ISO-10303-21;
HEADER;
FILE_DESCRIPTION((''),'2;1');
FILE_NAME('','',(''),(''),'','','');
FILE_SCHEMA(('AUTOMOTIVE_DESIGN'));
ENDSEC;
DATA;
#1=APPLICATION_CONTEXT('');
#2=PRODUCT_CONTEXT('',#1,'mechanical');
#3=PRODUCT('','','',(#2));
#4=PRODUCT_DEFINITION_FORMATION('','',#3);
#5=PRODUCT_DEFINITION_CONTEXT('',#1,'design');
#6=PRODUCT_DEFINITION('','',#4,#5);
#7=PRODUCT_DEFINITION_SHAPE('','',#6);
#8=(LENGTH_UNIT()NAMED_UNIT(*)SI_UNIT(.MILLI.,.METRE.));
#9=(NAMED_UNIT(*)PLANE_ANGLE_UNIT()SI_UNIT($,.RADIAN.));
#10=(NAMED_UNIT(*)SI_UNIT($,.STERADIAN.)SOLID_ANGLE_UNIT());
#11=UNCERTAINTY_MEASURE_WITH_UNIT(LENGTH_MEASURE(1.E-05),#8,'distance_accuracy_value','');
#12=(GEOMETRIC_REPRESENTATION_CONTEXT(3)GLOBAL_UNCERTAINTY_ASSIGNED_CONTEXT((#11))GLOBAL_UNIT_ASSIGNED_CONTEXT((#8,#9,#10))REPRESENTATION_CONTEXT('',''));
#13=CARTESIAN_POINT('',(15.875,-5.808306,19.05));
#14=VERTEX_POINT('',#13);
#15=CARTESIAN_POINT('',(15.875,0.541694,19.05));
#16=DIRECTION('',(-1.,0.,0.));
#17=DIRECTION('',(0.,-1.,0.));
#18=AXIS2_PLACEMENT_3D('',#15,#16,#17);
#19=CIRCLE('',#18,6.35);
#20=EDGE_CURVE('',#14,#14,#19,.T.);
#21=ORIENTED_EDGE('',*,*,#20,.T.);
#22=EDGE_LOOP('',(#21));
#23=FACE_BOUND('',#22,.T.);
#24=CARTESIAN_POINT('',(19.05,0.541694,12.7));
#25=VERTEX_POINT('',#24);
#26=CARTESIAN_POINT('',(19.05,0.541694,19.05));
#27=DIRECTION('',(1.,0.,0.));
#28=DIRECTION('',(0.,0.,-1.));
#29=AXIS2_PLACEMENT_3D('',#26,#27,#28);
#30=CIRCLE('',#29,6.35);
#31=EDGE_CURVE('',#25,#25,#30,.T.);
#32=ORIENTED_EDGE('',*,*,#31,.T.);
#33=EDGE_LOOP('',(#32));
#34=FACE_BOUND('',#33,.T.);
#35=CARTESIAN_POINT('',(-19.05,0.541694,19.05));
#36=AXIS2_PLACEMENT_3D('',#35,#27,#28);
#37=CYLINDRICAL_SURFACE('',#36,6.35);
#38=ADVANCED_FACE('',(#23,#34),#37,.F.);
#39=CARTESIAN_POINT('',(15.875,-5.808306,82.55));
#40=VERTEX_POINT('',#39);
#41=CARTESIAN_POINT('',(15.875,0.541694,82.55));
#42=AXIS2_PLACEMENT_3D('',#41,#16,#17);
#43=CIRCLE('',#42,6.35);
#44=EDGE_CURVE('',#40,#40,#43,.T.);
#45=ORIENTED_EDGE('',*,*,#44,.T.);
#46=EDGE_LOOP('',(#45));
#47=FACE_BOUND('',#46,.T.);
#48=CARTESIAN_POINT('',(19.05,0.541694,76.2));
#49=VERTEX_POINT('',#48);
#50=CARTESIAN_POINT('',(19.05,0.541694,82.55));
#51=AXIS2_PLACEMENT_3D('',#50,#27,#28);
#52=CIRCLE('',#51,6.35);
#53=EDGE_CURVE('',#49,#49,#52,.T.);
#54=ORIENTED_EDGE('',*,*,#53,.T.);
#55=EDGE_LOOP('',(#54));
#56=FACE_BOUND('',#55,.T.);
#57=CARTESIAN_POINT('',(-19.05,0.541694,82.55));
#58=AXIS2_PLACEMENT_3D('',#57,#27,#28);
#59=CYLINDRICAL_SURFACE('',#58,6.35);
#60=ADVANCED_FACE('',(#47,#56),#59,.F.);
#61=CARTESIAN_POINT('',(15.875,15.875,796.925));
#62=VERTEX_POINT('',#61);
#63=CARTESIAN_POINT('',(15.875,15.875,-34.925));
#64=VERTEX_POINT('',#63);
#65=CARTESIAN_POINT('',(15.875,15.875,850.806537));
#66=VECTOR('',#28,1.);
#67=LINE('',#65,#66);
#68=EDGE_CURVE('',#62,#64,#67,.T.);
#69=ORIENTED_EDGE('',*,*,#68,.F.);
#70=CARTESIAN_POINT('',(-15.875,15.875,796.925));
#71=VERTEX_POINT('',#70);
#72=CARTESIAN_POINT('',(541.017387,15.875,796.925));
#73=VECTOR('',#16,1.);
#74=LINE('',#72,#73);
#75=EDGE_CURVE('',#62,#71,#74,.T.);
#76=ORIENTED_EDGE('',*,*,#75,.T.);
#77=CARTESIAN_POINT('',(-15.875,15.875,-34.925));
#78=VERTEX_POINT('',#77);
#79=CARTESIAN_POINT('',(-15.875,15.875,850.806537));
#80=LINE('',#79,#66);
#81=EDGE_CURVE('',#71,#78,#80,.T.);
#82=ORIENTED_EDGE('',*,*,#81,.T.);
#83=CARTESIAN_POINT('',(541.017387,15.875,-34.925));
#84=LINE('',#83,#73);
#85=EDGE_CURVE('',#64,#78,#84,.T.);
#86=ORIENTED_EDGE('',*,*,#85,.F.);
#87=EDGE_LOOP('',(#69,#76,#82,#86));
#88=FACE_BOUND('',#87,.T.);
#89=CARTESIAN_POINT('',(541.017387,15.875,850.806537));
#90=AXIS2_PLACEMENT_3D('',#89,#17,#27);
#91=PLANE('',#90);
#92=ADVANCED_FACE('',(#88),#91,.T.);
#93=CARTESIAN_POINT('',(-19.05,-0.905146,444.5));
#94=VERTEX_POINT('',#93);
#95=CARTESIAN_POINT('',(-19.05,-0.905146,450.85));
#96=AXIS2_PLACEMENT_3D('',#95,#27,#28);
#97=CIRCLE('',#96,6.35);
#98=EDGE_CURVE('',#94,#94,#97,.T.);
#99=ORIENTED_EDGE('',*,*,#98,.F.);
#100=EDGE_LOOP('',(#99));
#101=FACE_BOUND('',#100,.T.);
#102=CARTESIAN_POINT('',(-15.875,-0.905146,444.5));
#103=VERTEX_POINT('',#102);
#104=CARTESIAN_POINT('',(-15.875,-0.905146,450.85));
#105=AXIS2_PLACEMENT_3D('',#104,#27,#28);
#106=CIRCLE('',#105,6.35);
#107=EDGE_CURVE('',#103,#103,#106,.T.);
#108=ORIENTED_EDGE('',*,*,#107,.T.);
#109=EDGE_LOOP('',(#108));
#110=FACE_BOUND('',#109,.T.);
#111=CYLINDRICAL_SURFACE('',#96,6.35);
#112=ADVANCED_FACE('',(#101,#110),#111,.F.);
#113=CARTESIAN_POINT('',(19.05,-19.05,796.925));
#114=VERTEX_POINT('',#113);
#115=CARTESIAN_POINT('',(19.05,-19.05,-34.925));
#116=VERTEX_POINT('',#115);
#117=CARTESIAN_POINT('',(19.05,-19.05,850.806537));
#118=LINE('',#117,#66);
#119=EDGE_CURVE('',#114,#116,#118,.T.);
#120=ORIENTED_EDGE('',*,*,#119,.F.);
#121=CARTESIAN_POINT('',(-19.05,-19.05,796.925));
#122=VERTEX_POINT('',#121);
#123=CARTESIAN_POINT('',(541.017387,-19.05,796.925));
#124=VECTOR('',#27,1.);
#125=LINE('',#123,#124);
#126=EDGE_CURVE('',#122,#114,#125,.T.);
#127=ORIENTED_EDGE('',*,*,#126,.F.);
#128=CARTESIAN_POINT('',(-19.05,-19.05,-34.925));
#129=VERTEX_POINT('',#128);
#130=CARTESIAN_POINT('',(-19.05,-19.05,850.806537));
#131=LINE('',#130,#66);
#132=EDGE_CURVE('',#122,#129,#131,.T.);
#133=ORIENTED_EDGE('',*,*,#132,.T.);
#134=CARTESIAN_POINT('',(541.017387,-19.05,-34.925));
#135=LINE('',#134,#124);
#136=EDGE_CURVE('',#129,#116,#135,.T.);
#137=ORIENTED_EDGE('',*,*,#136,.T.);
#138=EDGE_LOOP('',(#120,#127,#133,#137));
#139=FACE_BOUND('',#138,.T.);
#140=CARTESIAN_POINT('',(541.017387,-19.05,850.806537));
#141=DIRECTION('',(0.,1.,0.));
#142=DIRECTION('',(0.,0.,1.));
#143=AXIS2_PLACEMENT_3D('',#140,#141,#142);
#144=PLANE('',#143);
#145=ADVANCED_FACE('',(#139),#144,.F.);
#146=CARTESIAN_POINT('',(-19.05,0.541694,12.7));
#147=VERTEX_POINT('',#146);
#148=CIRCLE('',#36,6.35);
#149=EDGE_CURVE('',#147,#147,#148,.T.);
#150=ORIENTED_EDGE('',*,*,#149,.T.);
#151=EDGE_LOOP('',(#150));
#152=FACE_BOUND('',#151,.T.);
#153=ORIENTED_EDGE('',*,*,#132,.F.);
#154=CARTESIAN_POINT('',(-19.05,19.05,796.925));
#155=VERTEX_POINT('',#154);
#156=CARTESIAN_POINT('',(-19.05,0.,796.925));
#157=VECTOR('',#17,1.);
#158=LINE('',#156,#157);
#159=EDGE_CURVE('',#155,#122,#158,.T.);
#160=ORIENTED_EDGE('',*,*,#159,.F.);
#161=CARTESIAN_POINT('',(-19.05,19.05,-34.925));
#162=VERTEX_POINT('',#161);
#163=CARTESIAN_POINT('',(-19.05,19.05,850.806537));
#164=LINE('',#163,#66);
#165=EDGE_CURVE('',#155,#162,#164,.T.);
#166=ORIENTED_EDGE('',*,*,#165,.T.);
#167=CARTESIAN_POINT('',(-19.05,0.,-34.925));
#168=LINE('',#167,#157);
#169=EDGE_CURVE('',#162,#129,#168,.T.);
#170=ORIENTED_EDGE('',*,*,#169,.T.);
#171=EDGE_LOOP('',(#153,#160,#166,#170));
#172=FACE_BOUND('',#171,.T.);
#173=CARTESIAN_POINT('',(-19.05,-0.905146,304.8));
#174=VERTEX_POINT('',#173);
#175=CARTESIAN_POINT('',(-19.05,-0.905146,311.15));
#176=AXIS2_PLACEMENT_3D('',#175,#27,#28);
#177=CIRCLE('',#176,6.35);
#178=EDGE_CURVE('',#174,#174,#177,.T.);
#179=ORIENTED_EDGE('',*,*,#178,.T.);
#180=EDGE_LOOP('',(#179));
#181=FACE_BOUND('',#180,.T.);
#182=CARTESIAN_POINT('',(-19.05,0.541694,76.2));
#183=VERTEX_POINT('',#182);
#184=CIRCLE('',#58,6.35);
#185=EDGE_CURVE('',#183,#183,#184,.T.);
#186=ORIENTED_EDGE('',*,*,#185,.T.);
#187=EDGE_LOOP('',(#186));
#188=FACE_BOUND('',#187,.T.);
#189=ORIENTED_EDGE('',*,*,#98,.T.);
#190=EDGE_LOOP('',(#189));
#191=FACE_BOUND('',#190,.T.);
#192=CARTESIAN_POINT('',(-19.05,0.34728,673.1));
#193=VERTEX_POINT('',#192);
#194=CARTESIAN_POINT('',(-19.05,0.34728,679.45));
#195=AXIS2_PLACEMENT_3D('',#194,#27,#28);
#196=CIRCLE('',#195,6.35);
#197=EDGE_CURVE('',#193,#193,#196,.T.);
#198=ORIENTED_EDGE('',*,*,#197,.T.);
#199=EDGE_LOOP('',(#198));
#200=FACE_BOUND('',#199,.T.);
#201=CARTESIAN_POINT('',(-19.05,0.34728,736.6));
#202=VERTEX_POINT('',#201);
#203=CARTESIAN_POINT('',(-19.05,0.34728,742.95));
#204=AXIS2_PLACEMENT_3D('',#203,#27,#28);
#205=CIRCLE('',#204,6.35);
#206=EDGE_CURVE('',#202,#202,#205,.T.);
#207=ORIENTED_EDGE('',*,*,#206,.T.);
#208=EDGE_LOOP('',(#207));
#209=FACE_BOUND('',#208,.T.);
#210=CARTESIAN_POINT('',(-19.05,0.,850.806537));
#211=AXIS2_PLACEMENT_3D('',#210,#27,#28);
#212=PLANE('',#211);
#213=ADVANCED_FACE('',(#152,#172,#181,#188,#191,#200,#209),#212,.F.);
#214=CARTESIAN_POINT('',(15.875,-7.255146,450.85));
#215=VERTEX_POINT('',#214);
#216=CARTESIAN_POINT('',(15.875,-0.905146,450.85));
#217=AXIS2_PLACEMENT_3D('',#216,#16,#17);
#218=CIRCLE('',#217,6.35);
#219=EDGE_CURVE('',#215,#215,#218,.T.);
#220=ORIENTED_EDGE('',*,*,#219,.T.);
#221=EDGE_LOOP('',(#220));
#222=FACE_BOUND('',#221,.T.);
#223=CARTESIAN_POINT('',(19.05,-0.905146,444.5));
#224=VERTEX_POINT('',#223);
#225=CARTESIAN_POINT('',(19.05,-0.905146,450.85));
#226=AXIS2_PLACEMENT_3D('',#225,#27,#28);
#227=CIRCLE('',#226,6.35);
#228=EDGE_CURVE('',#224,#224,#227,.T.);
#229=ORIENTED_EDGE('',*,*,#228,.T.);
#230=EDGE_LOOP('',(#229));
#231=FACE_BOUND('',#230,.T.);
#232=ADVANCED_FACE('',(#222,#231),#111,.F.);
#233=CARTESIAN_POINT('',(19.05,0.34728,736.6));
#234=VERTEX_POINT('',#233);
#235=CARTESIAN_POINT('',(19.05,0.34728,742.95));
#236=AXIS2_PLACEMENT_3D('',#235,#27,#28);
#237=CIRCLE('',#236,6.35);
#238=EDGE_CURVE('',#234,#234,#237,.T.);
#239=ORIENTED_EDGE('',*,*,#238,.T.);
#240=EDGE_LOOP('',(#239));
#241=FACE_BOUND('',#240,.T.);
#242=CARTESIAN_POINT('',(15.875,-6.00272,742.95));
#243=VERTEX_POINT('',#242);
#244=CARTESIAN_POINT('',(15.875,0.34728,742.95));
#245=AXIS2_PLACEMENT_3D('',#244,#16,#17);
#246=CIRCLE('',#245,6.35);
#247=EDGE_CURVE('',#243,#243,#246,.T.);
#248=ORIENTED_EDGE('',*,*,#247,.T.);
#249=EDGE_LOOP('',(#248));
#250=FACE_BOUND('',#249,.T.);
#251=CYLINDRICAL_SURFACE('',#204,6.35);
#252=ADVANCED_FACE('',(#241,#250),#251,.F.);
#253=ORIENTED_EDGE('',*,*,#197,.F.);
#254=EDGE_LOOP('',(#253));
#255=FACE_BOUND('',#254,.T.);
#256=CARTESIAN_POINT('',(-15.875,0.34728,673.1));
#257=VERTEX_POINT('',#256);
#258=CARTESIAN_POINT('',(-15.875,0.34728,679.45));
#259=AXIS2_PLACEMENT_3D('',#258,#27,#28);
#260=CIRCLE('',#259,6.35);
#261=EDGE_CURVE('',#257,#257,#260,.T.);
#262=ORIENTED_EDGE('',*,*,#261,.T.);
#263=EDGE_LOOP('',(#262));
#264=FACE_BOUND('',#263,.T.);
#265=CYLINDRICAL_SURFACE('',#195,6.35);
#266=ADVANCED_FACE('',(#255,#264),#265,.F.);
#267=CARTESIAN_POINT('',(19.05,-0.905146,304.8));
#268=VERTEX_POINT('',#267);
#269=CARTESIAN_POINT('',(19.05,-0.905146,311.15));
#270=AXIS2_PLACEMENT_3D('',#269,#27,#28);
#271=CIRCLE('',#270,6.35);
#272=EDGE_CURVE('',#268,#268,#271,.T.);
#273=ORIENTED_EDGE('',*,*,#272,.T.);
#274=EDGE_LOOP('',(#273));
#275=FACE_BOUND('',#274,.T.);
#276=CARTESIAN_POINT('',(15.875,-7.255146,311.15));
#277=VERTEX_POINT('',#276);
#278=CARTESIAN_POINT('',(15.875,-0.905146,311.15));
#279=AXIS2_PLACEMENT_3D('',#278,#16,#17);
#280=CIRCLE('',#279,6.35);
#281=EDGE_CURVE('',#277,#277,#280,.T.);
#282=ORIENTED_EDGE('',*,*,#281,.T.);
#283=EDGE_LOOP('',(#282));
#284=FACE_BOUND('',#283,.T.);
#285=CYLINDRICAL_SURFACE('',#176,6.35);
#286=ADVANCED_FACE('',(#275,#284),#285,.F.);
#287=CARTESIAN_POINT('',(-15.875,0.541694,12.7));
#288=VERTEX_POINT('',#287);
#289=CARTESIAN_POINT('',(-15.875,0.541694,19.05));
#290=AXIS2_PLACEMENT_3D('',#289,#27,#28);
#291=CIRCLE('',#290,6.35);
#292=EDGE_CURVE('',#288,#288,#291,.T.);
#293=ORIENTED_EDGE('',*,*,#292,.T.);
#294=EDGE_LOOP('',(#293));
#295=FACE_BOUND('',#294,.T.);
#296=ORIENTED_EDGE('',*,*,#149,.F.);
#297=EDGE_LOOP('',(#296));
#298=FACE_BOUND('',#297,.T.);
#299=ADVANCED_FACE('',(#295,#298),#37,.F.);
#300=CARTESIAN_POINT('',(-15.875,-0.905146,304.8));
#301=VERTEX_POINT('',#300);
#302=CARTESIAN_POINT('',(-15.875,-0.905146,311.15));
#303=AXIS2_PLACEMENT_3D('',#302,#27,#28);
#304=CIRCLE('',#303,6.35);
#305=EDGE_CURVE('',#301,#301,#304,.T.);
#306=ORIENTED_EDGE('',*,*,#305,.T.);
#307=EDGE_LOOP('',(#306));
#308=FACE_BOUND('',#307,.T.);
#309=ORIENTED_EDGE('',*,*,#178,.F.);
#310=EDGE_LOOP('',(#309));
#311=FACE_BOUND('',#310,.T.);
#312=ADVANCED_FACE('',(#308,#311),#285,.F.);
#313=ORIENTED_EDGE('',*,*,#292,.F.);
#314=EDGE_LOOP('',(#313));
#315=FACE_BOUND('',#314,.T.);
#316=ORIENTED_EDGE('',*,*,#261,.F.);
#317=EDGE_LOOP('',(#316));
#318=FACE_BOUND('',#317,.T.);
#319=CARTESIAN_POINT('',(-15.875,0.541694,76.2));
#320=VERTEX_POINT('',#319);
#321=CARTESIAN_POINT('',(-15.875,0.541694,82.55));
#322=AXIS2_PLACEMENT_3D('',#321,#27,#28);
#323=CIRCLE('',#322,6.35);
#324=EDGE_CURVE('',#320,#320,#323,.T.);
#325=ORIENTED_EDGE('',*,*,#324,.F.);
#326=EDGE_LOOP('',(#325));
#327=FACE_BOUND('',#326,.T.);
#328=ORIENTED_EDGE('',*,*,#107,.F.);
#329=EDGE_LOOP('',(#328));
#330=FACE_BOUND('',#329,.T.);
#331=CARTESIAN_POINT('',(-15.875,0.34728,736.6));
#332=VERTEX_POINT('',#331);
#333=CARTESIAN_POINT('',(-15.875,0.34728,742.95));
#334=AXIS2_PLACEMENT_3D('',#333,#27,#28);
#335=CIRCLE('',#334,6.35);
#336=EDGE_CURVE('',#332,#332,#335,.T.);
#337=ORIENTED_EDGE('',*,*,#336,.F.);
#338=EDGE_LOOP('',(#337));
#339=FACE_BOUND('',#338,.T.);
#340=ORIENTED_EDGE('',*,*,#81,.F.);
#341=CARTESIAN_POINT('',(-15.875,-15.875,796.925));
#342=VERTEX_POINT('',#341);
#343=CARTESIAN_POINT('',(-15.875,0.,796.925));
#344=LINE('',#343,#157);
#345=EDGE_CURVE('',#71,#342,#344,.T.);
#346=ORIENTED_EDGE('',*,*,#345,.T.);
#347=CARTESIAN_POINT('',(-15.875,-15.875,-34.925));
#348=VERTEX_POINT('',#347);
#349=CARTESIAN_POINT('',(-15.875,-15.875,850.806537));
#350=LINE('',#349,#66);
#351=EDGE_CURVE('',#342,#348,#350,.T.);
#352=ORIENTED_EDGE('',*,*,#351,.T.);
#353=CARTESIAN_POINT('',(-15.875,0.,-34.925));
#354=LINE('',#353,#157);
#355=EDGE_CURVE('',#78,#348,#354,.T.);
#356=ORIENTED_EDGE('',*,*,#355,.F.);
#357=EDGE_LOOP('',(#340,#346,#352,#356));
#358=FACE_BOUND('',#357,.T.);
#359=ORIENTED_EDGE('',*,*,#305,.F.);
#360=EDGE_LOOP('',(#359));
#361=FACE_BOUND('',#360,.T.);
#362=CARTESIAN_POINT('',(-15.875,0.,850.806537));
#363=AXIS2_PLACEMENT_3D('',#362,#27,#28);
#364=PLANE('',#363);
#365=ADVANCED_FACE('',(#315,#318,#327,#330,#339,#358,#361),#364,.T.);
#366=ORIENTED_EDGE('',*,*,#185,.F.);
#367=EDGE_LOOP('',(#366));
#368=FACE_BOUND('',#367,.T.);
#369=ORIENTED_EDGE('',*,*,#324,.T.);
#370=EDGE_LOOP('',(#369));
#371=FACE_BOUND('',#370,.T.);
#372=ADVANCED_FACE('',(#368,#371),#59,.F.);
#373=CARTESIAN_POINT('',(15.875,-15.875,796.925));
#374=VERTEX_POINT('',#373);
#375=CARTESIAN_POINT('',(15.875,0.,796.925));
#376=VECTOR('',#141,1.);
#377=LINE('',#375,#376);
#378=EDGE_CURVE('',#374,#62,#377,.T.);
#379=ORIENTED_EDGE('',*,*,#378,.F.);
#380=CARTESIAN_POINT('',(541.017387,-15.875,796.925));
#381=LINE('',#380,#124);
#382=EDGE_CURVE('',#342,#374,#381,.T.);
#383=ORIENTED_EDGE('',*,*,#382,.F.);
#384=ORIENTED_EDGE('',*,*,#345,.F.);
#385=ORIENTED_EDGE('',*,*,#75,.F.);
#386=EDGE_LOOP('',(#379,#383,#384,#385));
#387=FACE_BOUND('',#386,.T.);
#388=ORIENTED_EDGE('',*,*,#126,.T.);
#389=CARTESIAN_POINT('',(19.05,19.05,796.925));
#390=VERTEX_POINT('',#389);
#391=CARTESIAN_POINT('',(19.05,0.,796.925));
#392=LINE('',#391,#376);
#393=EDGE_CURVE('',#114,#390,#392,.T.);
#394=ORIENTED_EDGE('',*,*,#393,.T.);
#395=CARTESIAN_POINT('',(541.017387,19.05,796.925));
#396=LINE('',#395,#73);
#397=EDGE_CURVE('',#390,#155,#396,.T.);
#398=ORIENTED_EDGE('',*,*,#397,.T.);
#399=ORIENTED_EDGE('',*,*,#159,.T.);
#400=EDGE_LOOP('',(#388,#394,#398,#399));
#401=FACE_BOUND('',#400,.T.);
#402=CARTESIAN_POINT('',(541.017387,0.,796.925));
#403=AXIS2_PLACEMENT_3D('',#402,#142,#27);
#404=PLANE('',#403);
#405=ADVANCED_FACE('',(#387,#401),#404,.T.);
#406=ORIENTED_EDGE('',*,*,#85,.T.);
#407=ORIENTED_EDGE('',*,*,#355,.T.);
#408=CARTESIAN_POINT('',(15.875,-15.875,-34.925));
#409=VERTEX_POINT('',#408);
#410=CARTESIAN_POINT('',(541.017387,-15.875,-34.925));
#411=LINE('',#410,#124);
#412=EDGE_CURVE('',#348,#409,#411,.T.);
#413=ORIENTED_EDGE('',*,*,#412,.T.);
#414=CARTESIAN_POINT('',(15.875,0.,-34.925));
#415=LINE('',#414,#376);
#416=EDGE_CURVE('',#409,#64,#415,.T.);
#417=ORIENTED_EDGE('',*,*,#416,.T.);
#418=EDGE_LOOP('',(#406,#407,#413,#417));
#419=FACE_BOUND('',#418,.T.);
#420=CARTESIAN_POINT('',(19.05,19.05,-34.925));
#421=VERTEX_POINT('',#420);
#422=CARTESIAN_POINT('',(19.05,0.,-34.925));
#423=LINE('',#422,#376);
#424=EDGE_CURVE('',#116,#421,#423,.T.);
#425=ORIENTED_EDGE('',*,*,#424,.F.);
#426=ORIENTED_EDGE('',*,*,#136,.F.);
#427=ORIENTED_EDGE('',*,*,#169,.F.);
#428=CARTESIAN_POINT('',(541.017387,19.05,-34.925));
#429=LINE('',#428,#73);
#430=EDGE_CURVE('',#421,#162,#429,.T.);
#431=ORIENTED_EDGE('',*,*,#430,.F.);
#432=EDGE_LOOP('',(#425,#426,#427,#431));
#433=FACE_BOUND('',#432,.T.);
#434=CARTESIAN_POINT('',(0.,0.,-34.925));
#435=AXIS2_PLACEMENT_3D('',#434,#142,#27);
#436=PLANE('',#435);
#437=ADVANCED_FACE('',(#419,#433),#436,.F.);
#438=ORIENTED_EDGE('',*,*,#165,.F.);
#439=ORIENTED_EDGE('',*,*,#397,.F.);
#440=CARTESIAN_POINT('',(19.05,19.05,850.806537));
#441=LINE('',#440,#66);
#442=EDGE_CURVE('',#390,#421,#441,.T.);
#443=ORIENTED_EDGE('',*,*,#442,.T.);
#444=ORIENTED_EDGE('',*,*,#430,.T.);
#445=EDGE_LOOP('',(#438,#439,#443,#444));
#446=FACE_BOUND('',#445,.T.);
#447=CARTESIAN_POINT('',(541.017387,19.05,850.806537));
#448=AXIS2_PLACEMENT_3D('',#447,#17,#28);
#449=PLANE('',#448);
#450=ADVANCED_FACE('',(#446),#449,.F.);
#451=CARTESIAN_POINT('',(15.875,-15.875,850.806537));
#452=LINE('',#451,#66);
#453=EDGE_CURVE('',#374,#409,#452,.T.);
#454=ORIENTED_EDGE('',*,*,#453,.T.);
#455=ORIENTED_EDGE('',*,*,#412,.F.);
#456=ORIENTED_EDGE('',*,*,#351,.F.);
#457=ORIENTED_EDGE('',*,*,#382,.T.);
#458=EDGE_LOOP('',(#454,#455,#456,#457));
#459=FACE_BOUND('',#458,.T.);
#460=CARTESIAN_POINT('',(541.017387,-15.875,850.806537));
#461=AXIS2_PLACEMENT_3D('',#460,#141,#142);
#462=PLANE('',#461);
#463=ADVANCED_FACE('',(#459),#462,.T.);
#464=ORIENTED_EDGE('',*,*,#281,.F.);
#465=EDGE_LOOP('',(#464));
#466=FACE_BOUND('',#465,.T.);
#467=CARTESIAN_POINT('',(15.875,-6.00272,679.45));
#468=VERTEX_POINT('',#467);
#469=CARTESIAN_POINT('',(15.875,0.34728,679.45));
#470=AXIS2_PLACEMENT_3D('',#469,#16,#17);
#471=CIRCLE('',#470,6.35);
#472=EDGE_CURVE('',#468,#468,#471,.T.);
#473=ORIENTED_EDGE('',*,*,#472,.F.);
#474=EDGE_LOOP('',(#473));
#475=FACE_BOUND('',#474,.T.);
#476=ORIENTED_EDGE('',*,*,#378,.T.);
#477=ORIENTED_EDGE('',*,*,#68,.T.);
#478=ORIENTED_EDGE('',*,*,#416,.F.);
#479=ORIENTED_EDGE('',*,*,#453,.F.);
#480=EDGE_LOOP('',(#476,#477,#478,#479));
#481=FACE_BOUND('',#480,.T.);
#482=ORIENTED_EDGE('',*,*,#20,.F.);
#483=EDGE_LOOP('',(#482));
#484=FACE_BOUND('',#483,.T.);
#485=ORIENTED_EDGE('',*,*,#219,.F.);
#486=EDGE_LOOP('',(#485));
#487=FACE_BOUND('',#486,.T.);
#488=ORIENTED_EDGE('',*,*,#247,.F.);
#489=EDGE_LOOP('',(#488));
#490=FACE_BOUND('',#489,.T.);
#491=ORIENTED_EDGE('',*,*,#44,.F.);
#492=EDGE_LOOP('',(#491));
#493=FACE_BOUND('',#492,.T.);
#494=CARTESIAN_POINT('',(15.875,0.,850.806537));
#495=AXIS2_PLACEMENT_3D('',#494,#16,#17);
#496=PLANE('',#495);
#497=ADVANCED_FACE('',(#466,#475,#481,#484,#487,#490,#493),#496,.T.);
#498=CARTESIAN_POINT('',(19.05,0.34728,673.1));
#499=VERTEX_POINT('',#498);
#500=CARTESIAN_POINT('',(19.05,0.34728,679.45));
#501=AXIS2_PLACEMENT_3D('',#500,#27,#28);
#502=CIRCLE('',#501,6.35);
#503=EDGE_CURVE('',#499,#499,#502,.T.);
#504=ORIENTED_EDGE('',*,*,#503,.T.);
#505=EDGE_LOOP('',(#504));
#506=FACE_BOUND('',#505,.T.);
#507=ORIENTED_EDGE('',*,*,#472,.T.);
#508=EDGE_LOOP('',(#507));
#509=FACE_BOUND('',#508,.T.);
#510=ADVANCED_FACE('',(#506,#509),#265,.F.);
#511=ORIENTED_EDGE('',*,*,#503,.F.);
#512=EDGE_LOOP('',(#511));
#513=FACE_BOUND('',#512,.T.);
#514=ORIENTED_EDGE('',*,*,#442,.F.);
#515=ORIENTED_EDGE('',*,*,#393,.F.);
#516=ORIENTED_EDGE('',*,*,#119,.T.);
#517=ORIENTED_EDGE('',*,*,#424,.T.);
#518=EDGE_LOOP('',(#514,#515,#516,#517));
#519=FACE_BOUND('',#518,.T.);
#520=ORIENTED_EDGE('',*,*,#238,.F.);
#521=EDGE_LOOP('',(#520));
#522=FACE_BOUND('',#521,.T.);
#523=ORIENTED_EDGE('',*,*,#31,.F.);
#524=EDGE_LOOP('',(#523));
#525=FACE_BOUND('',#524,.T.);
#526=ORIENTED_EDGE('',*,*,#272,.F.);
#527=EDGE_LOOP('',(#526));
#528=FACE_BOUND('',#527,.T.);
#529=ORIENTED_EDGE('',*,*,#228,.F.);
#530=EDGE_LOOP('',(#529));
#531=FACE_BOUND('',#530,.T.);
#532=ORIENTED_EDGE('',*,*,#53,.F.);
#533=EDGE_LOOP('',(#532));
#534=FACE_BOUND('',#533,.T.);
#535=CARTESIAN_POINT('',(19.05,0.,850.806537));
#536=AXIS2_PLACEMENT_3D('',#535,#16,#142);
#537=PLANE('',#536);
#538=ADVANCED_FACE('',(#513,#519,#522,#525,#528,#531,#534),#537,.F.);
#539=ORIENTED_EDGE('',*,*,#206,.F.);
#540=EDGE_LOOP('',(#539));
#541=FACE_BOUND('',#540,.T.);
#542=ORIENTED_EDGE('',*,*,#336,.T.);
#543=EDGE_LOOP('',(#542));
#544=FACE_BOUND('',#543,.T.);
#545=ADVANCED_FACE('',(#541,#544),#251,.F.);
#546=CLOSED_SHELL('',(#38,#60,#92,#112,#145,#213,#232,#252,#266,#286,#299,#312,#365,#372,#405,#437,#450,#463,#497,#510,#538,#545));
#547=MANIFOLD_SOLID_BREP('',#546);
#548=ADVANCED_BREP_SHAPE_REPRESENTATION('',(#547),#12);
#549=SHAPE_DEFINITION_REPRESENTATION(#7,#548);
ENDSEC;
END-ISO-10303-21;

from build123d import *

# Parameters (mm, degrees)
BOSS_EXTRUDE1_START = -34.925
SKETCH1_W           = 38.1
SKETCH1_H           = 38.1
SKETCH1_W_2         = 31.75
SKETCH1_H_2         = 31.75
BOSS_EXTRUDE1_DEPTH = 831.85
SKETCH2_R           = 6.35
CUT_EXTRUDE1_DEPTH  = 799.062634212


with BuildPart() as part:
    # Sketch1 → Boss-Extrude1 (new body)
    with BuildSketch(Plane.XY.offset(BOSS_EXTRUDE1_START)):
        Rectangle(SKETCH1_W, SKETCH1_H)
        Rectangle(SKETCH1_W_2, SKETCH1_H_2, mode=Mode.SUBTRACT)
    extrude(amount=BOSS_EXTRUDE1_DEPTH)

    # Sketch2 → Cut-Extrude1 (cut, through all)
    with BuildSketch(Plane(origin=(19.05, 0, 0), x_dir=(0, 0, -1), z_dir=(1, 0, 0))):
        with Locations((-311.15, -0.905146159)):
            Circle(SKETCH2_R)
        with Locations((-450.85, -0.905146159)):
            Circle(SKETCH2_R)
        with Locations((-679.45, 0.347280154)):
            Circle(SKETCH2_R)
        with Locations((-742.95, 0.347280154)):
            Circle(SKETCH2_R)
        with Locations((-82.55, 0.541693979)):
            Circle(SKETCH2_R)
        with Locations((-19.05, 0.541693979)):
            Circle(SKETCH2_R)
    extrude(amount=-CUT_EXTRUDE1_DEPTH, mode=Mode.SUBTRACT)


solid = part.part
